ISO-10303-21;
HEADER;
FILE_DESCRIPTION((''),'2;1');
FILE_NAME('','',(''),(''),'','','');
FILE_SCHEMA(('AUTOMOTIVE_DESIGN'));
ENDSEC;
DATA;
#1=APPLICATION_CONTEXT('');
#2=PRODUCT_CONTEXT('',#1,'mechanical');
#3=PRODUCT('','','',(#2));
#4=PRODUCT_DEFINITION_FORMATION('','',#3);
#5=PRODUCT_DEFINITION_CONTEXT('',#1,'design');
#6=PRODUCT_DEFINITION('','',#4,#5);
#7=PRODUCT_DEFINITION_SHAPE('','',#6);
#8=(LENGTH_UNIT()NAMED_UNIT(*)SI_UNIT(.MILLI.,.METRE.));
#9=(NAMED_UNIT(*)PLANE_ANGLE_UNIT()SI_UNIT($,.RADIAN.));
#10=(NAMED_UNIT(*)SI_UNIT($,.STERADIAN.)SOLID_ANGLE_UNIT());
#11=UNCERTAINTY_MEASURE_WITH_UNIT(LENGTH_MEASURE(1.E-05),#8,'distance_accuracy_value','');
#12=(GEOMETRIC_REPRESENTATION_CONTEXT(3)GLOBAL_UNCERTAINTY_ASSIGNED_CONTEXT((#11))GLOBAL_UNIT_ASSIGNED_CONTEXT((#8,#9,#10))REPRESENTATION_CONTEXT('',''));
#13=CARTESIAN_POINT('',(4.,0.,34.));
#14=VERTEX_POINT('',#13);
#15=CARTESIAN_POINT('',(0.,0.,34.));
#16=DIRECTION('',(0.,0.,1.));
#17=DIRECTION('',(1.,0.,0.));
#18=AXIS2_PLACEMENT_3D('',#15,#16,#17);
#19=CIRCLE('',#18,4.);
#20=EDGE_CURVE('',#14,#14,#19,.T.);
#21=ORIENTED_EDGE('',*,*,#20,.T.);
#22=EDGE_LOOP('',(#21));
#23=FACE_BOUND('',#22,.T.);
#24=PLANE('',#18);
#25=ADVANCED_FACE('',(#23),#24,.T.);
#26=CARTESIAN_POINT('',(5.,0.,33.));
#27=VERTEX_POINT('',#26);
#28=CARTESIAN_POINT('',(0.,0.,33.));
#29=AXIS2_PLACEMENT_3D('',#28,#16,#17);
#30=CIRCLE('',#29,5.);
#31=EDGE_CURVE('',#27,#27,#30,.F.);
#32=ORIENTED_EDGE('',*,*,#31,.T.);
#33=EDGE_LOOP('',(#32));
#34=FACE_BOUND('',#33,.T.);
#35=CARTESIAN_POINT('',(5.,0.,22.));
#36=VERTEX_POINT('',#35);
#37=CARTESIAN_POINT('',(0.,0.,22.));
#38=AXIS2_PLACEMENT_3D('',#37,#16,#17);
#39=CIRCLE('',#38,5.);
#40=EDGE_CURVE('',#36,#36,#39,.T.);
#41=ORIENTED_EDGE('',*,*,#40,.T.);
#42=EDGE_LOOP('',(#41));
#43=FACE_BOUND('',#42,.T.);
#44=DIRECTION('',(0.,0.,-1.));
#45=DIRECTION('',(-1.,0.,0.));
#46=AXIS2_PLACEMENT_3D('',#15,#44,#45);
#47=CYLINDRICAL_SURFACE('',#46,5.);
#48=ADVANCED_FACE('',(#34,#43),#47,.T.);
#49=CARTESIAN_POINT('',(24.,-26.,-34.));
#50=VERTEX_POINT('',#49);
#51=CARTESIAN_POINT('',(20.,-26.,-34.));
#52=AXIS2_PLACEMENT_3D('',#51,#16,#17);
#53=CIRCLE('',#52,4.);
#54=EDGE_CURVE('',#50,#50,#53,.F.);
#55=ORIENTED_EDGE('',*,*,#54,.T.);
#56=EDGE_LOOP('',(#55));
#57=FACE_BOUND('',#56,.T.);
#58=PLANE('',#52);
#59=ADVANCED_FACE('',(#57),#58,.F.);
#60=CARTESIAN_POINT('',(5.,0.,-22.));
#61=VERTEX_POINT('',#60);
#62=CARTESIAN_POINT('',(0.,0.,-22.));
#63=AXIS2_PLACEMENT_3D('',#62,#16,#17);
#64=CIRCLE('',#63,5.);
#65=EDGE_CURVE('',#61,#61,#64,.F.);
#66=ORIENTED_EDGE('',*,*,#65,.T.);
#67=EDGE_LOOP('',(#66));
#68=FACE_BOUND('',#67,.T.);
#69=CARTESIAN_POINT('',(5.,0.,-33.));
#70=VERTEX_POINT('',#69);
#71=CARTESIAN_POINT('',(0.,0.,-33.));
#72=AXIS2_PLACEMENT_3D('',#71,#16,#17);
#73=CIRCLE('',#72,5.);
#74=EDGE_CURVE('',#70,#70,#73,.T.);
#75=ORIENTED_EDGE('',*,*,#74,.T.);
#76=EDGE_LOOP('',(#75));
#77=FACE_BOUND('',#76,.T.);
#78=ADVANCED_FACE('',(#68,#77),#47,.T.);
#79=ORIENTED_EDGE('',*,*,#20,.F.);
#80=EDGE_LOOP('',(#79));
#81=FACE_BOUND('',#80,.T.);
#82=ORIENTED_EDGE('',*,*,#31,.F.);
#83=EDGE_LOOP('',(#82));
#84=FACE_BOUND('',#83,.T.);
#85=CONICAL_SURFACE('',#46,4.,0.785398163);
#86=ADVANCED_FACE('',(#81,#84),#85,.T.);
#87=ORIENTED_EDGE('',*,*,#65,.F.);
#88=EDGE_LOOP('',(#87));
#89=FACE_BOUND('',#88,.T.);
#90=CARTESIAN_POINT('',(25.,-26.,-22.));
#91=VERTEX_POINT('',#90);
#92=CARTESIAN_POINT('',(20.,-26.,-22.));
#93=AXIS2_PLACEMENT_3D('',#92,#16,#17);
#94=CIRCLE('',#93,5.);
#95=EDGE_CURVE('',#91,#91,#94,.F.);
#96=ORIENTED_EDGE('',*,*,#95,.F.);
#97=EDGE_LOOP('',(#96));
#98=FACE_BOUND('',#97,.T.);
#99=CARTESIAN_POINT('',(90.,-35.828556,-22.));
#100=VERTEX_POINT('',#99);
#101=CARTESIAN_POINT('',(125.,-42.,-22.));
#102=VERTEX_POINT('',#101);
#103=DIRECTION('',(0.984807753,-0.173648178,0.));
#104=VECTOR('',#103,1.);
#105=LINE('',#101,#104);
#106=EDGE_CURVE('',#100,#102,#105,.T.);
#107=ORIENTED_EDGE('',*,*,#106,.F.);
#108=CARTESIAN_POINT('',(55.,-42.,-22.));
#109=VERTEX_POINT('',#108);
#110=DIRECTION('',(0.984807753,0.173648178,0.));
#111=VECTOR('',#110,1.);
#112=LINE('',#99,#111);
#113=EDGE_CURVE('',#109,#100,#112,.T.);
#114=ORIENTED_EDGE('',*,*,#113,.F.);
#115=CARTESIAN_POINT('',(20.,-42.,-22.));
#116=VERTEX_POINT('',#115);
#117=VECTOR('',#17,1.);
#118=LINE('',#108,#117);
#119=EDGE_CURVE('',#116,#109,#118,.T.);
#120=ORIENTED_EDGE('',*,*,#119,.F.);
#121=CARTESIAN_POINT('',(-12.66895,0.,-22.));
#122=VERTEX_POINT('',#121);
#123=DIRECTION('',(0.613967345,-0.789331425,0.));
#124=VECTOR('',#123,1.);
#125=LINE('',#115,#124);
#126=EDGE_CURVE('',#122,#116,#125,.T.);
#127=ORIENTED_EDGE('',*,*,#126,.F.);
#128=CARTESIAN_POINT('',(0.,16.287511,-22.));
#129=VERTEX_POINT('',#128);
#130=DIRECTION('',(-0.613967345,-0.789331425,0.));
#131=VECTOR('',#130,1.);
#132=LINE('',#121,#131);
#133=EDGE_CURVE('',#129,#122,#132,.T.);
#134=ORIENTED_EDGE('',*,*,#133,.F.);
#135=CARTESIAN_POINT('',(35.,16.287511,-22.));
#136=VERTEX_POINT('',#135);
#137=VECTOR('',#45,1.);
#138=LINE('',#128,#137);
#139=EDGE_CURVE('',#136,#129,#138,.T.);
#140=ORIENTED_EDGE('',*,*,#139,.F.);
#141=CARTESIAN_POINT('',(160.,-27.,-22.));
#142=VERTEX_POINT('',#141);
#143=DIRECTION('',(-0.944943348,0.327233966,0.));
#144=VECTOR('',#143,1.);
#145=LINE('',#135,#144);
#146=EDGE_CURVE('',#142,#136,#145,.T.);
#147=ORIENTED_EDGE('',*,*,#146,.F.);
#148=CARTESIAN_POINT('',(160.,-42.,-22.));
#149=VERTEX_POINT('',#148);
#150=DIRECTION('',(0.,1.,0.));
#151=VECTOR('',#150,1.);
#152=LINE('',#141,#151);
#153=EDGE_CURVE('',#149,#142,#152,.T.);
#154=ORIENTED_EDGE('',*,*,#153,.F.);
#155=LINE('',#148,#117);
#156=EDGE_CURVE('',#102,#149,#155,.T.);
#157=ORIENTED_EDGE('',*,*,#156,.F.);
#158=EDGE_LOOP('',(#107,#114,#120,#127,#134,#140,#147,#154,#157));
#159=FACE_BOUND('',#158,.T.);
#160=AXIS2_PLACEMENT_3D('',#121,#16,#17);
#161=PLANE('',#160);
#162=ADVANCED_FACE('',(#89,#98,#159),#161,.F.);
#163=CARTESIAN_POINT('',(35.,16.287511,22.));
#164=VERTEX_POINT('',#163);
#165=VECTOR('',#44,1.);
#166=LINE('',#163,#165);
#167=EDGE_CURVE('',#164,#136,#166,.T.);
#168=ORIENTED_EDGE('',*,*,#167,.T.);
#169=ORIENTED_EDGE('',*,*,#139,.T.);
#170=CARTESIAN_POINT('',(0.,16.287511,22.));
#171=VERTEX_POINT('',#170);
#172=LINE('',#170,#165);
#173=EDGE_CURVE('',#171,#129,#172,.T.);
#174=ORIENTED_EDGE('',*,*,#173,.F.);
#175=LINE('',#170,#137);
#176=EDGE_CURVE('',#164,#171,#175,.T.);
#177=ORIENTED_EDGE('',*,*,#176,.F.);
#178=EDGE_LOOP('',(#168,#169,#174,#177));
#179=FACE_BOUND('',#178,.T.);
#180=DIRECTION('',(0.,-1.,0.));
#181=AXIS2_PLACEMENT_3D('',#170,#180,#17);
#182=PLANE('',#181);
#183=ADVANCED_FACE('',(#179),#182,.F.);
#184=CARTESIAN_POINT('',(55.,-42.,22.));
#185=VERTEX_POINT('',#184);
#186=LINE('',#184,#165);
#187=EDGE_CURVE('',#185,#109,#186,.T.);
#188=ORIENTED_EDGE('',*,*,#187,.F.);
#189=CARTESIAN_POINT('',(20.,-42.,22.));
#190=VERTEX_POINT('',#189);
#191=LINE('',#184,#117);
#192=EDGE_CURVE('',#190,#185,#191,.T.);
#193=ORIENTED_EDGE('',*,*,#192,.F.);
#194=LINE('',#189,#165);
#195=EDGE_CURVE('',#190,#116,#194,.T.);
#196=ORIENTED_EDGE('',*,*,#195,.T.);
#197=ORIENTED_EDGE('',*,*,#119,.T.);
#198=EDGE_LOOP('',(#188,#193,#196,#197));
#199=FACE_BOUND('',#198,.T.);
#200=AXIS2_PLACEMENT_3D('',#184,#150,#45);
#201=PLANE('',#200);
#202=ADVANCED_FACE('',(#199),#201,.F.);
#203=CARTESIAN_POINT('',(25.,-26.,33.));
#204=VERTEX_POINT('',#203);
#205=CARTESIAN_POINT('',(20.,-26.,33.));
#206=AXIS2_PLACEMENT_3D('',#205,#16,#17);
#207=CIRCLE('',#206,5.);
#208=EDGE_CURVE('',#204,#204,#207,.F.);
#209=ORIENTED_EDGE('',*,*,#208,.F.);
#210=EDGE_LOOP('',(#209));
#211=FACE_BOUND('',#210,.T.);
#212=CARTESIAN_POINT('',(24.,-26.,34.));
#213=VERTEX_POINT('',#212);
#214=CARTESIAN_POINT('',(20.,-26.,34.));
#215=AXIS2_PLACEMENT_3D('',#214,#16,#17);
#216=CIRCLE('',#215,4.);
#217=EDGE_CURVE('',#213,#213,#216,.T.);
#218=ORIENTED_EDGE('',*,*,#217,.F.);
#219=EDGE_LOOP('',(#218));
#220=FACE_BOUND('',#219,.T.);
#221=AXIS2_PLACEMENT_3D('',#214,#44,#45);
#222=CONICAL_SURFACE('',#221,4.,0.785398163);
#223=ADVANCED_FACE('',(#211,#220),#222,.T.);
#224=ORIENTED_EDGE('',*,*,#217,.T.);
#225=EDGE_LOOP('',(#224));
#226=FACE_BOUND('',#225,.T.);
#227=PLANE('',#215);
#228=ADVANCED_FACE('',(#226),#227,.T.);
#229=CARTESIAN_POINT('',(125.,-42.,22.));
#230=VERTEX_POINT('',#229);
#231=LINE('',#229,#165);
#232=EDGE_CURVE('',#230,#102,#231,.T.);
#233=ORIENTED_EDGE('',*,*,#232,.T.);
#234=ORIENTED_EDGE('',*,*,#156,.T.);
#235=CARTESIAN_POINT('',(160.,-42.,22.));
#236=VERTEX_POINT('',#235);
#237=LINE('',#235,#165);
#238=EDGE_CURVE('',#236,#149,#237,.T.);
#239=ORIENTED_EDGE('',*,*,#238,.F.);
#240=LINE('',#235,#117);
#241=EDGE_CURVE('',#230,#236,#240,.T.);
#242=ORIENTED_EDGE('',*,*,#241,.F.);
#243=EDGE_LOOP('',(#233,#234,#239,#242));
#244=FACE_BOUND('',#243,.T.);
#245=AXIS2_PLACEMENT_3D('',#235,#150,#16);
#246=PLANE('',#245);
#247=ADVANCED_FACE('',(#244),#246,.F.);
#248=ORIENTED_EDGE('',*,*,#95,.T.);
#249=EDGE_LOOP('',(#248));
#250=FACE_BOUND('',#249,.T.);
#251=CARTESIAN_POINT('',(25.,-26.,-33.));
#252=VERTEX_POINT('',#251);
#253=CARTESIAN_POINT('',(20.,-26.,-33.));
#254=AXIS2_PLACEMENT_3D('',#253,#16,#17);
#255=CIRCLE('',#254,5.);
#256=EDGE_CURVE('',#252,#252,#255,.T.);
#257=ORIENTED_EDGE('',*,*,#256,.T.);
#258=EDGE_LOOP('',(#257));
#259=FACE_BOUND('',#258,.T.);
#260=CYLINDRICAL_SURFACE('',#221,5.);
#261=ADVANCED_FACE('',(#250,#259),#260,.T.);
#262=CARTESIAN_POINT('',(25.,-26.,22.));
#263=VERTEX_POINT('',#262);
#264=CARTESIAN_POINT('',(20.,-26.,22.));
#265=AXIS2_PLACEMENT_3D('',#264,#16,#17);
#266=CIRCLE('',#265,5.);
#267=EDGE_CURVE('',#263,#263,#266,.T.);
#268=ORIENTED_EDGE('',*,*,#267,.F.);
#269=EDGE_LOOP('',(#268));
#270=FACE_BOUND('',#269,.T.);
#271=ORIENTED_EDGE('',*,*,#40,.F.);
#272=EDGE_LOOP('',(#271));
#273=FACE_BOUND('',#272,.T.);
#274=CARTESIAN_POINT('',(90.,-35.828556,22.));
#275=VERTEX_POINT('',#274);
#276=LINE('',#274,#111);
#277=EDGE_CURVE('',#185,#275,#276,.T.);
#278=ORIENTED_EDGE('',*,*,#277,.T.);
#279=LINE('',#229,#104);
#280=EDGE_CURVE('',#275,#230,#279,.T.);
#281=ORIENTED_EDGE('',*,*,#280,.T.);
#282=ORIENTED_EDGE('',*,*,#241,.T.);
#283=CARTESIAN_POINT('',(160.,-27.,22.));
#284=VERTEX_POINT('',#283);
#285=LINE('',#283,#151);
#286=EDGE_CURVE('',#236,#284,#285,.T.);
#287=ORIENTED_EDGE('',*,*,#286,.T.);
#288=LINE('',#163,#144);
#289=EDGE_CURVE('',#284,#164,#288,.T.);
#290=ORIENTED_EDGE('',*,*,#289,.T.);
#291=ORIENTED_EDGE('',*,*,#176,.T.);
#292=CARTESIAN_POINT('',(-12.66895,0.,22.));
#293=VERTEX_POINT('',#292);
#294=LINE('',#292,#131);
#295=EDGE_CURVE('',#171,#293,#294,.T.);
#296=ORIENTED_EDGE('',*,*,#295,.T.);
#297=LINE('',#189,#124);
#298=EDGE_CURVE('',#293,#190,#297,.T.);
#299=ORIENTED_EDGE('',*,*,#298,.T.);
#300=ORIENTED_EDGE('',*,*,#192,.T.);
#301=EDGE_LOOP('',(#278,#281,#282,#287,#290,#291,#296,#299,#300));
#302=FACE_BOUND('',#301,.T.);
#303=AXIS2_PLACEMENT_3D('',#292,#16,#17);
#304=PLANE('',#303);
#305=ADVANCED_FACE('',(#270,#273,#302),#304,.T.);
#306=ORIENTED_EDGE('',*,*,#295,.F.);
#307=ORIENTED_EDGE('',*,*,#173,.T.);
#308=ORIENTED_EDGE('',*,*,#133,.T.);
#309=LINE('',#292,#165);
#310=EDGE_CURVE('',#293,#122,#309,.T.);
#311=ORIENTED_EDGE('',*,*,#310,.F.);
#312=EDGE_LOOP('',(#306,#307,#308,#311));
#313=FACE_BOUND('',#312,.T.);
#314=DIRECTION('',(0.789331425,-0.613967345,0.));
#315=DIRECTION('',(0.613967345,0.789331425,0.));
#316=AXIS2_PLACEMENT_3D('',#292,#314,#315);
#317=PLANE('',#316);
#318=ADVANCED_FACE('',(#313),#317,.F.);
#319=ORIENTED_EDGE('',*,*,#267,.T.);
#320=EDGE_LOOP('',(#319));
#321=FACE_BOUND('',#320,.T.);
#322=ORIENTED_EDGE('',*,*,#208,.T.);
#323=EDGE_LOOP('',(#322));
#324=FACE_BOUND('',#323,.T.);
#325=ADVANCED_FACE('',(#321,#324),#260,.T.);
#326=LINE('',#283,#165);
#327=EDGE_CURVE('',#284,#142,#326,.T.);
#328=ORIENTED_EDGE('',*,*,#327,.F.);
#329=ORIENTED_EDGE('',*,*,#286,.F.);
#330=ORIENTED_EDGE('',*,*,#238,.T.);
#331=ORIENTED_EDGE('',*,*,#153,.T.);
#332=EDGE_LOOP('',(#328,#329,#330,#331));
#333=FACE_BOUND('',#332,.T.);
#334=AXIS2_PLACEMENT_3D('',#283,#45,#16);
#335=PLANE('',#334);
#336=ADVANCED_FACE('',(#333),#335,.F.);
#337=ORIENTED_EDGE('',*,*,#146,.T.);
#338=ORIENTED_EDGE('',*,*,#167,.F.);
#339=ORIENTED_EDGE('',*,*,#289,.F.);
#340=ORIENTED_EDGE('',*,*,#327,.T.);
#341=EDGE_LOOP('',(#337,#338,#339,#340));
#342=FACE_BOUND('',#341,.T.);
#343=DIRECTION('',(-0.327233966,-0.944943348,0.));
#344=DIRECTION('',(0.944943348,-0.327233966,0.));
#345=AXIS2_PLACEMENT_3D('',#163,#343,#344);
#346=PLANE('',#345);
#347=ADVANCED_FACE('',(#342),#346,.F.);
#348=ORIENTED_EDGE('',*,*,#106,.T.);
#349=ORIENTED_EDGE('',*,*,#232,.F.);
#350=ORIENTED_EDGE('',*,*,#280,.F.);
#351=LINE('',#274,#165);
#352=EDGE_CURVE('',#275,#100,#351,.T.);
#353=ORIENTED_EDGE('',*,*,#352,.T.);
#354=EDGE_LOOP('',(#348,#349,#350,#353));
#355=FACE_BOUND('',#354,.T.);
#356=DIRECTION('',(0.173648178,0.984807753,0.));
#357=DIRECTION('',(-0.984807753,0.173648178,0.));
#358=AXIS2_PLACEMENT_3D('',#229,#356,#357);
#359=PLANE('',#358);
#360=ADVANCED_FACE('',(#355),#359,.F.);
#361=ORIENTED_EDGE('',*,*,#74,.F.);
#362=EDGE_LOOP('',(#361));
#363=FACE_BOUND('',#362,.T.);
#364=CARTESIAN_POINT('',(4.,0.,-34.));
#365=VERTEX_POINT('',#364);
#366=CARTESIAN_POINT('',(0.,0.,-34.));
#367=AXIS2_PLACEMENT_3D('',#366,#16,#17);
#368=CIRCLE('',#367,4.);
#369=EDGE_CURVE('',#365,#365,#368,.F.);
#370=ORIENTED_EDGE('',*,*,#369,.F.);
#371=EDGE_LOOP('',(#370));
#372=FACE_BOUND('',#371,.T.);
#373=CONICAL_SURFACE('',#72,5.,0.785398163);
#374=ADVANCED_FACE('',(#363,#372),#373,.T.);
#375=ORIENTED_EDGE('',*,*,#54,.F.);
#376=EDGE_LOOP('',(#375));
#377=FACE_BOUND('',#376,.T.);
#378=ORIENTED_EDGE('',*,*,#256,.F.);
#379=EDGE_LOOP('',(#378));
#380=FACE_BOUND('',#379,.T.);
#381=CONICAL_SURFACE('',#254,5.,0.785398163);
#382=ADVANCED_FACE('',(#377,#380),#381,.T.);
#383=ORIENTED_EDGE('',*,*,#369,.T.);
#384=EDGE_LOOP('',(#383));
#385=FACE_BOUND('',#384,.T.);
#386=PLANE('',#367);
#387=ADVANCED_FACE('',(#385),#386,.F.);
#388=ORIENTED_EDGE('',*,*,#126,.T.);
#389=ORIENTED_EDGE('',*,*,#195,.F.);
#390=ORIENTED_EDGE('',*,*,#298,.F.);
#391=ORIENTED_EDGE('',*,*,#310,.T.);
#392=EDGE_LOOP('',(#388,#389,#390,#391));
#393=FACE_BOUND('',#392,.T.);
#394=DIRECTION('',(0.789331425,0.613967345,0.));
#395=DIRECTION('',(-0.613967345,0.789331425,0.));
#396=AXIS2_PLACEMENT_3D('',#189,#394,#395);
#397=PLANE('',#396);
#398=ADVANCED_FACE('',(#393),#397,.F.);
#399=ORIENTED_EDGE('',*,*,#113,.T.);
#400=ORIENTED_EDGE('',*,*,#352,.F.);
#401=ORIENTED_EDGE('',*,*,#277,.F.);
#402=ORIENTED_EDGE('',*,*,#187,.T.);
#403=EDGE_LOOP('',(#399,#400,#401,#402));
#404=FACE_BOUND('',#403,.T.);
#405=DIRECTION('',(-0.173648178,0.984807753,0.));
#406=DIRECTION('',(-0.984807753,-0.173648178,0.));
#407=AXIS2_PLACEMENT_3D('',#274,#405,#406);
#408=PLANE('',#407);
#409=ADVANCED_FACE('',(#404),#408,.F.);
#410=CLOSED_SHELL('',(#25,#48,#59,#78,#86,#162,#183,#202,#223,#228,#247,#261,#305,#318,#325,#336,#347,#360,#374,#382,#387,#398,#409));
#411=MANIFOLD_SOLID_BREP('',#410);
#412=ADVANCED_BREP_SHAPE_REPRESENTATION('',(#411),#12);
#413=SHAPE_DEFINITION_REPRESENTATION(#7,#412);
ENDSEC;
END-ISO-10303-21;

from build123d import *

# Parameters (mm, degrees)
ESQUISSE1_R          = 5
BASE_EXTRUSION_DEPTH = 22
ESQUISSE2_R          = 5
AXES_DEPTH           = 34
CHANFREIN1_SIZE      = 1


with BuildPart() as part:
    # Esquisse1 → Base-Extrusion (new, symmetric)
    with BuildSketch(Plane.XY):
        Polygon((0, 16.287511178), (35, 16.287511178), (160, -27), (160, -42), (125, -42), (90, -35.828555675), (55, -42), (20, -42), (-12.668949544, 0), align=None)
        Circle(ESQUISSE1_R, mode=Mode.SUBTRACT)
        with Locations((20, -26)):
            Circle(ESQUISSE1_R, mode=Mode.SUBTRACT)
    extrude(amount=BASE_EXTRUSION_DEPTH, both=True)

    # Esquisse2 → Axes (add, symmetric)
    with BuildSketch(Plane.XY):
        with Locations((20, -26)):
            Circle(ESQUISSE2_R)
        Circle(ESQUISSE2_R)
    extrude(amount=AXES_DEPTH, both=True)

    # Chanfrein1
    chanfrein1_edges = [part.edges().sort_by_distance(p)[0] for p in [
        (15, -26, -34),
        (-5, 0, -34),
        (-5, 0, 34),
        (15, -26, 34),
    ]]
    chamfer(chanfrein1_edges, length=CHANFREIN1_SIZE)


solid = part.part
